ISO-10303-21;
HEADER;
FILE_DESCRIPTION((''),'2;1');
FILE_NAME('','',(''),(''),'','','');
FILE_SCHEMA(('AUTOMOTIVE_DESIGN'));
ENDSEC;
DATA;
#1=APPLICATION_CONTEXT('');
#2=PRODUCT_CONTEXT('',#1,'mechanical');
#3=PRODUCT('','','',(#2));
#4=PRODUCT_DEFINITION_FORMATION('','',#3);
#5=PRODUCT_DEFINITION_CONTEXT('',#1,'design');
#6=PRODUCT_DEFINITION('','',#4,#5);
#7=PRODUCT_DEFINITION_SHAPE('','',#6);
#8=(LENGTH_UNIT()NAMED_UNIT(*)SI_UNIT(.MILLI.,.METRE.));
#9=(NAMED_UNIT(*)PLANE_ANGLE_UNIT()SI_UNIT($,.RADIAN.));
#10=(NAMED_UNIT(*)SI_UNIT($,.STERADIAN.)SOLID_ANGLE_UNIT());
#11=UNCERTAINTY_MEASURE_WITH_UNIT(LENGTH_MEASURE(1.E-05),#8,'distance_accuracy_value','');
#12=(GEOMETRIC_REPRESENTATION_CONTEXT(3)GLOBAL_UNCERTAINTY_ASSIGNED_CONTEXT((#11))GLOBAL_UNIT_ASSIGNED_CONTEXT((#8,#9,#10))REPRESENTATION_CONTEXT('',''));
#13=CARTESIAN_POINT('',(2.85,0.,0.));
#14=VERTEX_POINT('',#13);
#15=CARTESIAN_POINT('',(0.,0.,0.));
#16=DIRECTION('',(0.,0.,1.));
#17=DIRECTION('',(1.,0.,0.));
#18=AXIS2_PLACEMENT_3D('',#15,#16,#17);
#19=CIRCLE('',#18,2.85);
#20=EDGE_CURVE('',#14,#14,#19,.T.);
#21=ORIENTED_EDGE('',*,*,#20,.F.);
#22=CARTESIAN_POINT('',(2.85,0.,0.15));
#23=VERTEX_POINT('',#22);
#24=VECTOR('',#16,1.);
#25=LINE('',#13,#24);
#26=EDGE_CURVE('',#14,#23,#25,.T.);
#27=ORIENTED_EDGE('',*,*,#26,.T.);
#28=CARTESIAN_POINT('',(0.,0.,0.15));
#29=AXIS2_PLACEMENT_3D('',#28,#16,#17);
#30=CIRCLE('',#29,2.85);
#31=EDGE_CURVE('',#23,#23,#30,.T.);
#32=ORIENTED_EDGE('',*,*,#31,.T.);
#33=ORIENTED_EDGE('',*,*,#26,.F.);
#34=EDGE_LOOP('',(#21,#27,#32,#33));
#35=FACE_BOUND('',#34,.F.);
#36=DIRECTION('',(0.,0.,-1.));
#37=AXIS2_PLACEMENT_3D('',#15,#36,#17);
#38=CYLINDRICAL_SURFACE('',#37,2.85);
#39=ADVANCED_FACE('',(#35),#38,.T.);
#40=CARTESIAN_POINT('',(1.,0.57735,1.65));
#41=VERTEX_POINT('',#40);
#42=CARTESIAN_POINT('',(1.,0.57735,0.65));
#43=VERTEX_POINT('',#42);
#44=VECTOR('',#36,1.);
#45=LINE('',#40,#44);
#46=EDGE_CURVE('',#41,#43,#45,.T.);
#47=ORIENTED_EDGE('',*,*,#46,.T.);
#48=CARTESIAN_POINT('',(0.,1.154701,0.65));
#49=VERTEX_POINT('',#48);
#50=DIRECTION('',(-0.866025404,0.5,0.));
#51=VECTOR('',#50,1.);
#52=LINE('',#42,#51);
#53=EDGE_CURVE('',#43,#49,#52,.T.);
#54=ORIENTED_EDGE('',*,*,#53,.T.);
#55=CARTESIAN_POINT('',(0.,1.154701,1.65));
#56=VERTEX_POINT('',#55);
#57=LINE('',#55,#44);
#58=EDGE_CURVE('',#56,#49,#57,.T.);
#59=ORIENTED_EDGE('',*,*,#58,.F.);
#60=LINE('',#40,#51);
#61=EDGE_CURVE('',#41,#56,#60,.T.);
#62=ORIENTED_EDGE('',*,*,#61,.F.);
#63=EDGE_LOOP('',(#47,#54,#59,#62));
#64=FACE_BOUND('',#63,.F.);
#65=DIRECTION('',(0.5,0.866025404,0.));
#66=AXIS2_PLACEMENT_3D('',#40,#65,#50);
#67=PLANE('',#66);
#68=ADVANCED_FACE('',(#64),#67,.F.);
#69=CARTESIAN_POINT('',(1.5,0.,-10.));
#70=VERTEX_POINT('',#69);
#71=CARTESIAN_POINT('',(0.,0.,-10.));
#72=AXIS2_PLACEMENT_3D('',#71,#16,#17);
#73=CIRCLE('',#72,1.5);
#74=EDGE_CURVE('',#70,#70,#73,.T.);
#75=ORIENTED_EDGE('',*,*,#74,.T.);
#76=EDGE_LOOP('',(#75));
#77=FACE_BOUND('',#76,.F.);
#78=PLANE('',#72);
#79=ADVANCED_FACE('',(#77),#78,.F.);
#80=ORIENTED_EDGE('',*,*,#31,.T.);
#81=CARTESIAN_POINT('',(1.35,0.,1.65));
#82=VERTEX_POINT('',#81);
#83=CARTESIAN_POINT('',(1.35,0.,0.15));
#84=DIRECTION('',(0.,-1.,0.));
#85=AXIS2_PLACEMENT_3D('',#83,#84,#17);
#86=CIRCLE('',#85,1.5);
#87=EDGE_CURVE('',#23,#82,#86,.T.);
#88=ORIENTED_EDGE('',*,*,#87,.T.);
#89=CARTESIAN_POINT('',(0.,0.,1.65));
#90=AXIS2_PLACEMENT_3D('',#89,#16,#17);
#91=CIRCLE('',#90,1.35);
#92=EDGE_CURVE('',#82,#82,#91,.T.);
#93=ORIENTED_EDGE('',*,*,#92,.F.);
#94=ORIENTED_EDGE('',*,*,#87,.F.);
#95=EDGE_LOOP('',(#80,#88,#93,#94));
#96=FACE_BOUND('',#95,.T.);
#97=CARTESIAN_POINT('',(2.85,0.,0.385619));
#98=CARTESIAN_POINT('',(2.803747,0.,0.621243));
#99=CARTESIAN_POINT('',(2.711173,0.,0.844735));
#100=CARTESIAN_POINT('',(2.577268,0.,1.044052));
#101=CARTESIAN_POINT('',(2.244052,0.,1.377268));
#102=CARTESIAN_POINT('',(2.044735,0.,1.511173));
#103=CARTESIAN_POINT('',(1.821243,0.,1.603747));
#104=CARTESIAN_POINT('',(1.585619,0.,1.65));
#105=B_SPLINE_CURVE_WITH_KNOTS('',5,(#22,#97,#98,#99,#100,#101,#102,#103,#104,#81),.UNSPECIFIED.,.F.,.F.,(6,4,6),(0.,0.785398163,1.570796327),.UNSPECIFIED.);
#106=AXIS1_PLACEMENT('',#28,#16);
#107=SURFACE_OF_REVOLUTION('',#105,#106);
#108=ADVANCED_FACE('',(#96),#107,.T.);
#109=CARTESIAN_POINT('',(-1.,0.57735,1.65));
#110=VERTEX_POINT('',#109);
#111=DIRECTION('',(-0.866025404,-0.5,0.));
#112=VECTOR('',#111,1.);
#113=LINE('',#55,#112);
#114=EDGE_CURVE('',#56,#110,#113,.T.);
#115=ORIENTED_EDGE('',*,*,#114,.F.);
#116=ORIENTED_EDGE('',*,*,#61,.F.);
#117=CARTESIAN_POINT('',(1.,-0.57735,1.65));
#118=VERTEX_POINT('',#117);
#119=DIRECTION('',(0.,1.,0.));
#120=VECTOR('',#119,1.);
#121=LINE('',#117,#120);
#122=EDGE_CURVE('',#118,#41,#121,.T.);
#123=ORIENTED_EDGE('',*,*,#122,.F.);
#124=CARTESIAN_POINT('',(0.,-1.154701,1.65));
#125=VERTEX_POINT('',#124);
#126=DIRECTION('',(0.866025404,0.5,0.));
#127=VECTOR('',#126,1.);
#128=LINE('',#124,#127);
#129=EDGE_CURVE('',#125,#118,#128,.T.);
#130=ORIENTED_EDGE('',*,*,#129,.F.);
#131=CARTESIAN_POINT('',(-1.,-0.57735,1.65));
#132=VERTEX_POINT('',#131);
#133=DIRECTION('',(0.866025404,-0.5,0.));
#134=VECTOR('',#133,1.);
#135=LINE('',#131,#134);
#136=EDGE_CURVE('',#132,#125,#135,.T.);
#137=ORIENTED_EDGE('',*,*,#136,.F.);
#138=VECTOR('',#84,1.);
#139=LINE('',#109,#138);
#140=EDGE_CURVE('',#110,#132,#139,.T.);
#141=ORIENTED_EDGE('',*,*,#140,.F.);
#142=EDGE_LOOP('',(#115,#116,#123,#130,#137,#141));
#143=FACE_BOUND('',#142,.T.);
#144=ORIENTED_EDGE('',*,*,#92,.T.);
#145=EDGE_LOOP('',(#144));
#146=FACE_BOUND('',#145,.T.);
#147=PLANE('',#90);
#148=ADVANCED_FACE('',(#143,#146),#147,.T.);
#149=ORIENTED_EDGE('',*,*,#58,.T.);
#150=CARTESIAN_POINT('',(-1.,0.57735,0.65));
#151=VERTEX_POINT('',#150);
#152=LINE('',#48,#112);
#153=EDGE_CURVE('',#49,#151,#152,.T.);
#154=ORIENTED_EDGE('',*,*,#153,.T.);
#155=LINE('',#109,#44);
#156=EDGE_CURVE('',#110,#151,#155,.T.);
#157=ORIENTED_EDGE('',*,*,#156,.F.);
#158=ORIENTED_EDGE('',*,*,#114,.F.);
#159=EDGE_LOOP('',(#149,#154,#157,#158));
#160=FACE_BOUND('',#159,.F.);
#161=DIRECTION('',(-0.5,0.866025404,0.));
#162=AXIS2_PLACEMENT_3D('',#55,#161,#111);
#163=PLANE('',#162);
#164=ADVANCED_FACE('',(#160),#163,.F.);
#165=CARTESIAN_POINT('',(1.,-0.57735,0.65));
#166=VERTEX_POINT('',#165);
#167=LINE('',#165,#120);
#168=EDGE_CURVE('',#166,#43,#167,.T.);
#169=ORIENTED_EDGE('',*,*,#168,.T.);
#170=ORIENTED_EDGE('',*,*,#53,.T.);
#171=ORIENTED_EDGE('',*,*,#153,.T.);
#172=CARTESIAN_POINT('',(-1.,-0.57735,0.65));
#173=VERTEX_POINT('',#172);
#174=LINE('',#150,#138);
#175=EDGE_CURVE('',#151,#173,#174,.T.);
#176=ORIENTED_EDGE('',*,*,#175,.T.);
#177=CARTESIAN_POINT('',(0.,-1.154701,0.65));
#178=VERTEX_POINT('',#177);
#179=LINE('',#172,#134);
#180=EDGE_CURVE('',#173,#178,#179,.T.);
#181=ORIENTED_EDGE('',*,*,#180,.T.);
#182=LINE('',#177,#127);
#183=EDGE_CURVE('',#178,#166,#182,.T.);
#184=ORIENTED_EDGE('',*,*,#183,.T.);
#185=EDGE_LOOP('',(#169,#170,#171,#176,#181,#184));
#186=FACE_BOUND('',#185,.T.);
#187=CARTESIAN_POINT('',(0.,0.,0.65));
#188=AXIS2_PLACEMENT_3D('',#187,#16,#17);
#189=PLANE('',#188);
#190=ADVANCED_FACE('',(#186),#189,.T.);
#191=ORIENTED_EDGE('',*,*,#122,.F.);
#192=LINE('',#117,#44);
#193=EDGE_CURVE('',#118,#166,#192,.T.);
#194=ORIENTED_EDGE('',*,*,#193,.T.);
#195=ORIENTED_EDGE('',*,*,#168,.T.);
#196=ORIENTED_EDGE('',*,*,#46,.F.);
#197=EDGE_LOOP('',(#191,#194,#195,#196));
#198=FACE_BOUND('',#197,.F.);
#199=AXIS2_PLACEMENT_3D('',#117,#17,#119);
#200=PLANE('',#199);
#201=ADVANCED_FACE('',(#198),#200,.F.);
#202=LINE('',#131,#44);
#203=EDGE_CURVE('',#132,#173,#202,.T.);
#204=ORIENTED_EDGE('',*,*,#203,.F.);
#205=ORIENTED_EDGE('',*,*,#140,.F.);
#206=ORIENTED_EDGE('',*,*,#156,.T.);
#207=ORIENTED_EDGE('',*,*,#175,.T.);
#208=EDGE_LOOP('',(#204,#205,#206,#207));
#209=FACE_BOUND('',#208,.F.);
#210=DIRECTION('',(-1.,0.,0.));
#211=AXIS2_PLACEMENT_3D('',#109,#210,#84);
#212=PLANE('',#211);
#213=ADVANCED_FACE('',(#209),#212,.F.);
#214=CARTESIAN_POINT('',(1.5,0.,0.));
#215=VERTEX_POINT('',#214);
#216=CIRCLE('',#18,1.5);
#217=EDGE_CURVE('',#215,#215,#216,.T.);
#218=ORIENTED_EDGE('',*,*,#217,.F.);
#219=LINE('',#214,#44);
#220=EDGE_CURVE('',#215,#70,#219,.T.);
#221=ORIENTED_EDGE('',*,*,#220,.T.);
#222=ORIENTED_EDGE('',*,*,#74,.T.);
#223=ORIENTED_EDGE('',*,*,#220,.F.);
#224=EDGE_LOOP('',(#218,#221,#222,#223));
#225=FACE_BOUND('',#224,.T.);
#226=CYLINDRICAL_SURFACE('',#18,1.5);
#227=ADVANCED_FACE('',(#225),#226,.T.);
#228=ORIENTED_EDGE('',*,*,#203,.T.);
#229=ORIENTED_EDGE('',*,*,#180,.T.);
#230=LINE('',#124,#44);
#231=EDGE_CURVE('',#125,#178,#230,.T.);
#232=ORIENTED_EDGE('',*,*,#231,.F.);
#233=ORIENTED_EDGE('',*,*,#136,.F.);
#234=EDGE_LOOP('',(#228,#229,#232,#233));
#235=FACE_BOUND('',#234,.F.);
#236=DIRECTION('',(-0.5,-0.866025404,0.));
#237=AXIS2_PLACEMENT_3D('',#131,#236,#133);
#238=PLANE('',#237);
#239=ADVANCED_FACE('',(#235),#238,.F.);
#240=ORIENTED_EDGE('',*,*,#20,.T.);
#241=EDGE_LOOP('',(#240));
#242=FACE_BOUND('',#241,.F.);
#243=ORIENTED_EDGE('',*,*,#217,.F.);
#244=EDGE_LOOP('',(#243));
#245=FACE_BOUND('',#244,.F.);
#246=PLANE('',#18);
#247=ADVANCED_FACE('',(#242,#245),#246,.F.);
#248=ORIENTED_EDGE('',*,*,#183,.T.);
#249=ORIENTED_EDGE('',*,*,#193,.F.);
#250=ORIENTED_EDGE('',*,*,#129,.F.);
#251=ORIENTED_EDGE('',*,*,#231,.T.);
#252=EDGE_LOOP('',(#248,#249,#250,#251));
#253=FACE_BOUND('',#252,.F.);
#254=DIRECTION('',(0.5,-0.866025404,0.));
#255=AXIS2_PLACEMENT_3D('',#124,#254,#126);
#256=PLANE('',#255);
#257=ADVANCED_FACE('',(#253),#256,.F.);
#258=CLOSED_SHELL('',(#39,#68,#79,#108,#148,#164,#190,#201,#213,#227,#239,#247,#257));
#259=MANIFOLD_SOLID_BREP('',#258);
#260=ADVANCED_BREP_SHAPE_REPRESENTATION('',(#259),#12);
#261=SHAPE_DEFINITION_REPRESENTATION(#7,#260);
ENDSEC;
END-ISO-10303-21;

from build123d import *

# Parameters (mm, degrees)
F0_R      = 1.5
F1_DEPTH  = 10
F0_R_2    = 2.85
F1_FACE_R = 1.5
F2_DEPTH  = 1.65
F4_DEPTH  = 1
F5_R      = 1.5


with BuildPart() as f1:
    # F0 (on Top) → F1 (new body)
    with BuildSketch(Plane.XY):
        Circle(F0_R)
    extrude(amount=-F1_DEPTH)

    # F0 (on Top) + F1_face (on face) → F2 (join)
    with BuildSketch(Plane.XY):
        Circle(F0_R_2)
        Circle(F0_R, mode=Mode.SUBTRACT)
    with BuildSketch(Plane.XY):
        Circle(F1_FACE_R)
    extrude(amount=F2_DEPTH)

    # F3 (on face) → F4 (cut)
    with BuildSketch(Plane.XY.offset(1.65)):
        Polygon((0, 1.1547005384), (-1, 0.5773502692), (-1, -0.5773502692), (0, -1.1547005384), (1, -0.5773502692), (1, 0.5773502692), align=None)
    extrude(amount=-F4_DEPTH, mode=Mode.SUBTRACT)

    # F5
    f5_edges = [f1.edges().sort_by_distance(p)[0] for p in [
        (-2.85, 0, 1.65),
    ]]
    fillet(f5_edges, radius=F5_R)


solid = f1.part
